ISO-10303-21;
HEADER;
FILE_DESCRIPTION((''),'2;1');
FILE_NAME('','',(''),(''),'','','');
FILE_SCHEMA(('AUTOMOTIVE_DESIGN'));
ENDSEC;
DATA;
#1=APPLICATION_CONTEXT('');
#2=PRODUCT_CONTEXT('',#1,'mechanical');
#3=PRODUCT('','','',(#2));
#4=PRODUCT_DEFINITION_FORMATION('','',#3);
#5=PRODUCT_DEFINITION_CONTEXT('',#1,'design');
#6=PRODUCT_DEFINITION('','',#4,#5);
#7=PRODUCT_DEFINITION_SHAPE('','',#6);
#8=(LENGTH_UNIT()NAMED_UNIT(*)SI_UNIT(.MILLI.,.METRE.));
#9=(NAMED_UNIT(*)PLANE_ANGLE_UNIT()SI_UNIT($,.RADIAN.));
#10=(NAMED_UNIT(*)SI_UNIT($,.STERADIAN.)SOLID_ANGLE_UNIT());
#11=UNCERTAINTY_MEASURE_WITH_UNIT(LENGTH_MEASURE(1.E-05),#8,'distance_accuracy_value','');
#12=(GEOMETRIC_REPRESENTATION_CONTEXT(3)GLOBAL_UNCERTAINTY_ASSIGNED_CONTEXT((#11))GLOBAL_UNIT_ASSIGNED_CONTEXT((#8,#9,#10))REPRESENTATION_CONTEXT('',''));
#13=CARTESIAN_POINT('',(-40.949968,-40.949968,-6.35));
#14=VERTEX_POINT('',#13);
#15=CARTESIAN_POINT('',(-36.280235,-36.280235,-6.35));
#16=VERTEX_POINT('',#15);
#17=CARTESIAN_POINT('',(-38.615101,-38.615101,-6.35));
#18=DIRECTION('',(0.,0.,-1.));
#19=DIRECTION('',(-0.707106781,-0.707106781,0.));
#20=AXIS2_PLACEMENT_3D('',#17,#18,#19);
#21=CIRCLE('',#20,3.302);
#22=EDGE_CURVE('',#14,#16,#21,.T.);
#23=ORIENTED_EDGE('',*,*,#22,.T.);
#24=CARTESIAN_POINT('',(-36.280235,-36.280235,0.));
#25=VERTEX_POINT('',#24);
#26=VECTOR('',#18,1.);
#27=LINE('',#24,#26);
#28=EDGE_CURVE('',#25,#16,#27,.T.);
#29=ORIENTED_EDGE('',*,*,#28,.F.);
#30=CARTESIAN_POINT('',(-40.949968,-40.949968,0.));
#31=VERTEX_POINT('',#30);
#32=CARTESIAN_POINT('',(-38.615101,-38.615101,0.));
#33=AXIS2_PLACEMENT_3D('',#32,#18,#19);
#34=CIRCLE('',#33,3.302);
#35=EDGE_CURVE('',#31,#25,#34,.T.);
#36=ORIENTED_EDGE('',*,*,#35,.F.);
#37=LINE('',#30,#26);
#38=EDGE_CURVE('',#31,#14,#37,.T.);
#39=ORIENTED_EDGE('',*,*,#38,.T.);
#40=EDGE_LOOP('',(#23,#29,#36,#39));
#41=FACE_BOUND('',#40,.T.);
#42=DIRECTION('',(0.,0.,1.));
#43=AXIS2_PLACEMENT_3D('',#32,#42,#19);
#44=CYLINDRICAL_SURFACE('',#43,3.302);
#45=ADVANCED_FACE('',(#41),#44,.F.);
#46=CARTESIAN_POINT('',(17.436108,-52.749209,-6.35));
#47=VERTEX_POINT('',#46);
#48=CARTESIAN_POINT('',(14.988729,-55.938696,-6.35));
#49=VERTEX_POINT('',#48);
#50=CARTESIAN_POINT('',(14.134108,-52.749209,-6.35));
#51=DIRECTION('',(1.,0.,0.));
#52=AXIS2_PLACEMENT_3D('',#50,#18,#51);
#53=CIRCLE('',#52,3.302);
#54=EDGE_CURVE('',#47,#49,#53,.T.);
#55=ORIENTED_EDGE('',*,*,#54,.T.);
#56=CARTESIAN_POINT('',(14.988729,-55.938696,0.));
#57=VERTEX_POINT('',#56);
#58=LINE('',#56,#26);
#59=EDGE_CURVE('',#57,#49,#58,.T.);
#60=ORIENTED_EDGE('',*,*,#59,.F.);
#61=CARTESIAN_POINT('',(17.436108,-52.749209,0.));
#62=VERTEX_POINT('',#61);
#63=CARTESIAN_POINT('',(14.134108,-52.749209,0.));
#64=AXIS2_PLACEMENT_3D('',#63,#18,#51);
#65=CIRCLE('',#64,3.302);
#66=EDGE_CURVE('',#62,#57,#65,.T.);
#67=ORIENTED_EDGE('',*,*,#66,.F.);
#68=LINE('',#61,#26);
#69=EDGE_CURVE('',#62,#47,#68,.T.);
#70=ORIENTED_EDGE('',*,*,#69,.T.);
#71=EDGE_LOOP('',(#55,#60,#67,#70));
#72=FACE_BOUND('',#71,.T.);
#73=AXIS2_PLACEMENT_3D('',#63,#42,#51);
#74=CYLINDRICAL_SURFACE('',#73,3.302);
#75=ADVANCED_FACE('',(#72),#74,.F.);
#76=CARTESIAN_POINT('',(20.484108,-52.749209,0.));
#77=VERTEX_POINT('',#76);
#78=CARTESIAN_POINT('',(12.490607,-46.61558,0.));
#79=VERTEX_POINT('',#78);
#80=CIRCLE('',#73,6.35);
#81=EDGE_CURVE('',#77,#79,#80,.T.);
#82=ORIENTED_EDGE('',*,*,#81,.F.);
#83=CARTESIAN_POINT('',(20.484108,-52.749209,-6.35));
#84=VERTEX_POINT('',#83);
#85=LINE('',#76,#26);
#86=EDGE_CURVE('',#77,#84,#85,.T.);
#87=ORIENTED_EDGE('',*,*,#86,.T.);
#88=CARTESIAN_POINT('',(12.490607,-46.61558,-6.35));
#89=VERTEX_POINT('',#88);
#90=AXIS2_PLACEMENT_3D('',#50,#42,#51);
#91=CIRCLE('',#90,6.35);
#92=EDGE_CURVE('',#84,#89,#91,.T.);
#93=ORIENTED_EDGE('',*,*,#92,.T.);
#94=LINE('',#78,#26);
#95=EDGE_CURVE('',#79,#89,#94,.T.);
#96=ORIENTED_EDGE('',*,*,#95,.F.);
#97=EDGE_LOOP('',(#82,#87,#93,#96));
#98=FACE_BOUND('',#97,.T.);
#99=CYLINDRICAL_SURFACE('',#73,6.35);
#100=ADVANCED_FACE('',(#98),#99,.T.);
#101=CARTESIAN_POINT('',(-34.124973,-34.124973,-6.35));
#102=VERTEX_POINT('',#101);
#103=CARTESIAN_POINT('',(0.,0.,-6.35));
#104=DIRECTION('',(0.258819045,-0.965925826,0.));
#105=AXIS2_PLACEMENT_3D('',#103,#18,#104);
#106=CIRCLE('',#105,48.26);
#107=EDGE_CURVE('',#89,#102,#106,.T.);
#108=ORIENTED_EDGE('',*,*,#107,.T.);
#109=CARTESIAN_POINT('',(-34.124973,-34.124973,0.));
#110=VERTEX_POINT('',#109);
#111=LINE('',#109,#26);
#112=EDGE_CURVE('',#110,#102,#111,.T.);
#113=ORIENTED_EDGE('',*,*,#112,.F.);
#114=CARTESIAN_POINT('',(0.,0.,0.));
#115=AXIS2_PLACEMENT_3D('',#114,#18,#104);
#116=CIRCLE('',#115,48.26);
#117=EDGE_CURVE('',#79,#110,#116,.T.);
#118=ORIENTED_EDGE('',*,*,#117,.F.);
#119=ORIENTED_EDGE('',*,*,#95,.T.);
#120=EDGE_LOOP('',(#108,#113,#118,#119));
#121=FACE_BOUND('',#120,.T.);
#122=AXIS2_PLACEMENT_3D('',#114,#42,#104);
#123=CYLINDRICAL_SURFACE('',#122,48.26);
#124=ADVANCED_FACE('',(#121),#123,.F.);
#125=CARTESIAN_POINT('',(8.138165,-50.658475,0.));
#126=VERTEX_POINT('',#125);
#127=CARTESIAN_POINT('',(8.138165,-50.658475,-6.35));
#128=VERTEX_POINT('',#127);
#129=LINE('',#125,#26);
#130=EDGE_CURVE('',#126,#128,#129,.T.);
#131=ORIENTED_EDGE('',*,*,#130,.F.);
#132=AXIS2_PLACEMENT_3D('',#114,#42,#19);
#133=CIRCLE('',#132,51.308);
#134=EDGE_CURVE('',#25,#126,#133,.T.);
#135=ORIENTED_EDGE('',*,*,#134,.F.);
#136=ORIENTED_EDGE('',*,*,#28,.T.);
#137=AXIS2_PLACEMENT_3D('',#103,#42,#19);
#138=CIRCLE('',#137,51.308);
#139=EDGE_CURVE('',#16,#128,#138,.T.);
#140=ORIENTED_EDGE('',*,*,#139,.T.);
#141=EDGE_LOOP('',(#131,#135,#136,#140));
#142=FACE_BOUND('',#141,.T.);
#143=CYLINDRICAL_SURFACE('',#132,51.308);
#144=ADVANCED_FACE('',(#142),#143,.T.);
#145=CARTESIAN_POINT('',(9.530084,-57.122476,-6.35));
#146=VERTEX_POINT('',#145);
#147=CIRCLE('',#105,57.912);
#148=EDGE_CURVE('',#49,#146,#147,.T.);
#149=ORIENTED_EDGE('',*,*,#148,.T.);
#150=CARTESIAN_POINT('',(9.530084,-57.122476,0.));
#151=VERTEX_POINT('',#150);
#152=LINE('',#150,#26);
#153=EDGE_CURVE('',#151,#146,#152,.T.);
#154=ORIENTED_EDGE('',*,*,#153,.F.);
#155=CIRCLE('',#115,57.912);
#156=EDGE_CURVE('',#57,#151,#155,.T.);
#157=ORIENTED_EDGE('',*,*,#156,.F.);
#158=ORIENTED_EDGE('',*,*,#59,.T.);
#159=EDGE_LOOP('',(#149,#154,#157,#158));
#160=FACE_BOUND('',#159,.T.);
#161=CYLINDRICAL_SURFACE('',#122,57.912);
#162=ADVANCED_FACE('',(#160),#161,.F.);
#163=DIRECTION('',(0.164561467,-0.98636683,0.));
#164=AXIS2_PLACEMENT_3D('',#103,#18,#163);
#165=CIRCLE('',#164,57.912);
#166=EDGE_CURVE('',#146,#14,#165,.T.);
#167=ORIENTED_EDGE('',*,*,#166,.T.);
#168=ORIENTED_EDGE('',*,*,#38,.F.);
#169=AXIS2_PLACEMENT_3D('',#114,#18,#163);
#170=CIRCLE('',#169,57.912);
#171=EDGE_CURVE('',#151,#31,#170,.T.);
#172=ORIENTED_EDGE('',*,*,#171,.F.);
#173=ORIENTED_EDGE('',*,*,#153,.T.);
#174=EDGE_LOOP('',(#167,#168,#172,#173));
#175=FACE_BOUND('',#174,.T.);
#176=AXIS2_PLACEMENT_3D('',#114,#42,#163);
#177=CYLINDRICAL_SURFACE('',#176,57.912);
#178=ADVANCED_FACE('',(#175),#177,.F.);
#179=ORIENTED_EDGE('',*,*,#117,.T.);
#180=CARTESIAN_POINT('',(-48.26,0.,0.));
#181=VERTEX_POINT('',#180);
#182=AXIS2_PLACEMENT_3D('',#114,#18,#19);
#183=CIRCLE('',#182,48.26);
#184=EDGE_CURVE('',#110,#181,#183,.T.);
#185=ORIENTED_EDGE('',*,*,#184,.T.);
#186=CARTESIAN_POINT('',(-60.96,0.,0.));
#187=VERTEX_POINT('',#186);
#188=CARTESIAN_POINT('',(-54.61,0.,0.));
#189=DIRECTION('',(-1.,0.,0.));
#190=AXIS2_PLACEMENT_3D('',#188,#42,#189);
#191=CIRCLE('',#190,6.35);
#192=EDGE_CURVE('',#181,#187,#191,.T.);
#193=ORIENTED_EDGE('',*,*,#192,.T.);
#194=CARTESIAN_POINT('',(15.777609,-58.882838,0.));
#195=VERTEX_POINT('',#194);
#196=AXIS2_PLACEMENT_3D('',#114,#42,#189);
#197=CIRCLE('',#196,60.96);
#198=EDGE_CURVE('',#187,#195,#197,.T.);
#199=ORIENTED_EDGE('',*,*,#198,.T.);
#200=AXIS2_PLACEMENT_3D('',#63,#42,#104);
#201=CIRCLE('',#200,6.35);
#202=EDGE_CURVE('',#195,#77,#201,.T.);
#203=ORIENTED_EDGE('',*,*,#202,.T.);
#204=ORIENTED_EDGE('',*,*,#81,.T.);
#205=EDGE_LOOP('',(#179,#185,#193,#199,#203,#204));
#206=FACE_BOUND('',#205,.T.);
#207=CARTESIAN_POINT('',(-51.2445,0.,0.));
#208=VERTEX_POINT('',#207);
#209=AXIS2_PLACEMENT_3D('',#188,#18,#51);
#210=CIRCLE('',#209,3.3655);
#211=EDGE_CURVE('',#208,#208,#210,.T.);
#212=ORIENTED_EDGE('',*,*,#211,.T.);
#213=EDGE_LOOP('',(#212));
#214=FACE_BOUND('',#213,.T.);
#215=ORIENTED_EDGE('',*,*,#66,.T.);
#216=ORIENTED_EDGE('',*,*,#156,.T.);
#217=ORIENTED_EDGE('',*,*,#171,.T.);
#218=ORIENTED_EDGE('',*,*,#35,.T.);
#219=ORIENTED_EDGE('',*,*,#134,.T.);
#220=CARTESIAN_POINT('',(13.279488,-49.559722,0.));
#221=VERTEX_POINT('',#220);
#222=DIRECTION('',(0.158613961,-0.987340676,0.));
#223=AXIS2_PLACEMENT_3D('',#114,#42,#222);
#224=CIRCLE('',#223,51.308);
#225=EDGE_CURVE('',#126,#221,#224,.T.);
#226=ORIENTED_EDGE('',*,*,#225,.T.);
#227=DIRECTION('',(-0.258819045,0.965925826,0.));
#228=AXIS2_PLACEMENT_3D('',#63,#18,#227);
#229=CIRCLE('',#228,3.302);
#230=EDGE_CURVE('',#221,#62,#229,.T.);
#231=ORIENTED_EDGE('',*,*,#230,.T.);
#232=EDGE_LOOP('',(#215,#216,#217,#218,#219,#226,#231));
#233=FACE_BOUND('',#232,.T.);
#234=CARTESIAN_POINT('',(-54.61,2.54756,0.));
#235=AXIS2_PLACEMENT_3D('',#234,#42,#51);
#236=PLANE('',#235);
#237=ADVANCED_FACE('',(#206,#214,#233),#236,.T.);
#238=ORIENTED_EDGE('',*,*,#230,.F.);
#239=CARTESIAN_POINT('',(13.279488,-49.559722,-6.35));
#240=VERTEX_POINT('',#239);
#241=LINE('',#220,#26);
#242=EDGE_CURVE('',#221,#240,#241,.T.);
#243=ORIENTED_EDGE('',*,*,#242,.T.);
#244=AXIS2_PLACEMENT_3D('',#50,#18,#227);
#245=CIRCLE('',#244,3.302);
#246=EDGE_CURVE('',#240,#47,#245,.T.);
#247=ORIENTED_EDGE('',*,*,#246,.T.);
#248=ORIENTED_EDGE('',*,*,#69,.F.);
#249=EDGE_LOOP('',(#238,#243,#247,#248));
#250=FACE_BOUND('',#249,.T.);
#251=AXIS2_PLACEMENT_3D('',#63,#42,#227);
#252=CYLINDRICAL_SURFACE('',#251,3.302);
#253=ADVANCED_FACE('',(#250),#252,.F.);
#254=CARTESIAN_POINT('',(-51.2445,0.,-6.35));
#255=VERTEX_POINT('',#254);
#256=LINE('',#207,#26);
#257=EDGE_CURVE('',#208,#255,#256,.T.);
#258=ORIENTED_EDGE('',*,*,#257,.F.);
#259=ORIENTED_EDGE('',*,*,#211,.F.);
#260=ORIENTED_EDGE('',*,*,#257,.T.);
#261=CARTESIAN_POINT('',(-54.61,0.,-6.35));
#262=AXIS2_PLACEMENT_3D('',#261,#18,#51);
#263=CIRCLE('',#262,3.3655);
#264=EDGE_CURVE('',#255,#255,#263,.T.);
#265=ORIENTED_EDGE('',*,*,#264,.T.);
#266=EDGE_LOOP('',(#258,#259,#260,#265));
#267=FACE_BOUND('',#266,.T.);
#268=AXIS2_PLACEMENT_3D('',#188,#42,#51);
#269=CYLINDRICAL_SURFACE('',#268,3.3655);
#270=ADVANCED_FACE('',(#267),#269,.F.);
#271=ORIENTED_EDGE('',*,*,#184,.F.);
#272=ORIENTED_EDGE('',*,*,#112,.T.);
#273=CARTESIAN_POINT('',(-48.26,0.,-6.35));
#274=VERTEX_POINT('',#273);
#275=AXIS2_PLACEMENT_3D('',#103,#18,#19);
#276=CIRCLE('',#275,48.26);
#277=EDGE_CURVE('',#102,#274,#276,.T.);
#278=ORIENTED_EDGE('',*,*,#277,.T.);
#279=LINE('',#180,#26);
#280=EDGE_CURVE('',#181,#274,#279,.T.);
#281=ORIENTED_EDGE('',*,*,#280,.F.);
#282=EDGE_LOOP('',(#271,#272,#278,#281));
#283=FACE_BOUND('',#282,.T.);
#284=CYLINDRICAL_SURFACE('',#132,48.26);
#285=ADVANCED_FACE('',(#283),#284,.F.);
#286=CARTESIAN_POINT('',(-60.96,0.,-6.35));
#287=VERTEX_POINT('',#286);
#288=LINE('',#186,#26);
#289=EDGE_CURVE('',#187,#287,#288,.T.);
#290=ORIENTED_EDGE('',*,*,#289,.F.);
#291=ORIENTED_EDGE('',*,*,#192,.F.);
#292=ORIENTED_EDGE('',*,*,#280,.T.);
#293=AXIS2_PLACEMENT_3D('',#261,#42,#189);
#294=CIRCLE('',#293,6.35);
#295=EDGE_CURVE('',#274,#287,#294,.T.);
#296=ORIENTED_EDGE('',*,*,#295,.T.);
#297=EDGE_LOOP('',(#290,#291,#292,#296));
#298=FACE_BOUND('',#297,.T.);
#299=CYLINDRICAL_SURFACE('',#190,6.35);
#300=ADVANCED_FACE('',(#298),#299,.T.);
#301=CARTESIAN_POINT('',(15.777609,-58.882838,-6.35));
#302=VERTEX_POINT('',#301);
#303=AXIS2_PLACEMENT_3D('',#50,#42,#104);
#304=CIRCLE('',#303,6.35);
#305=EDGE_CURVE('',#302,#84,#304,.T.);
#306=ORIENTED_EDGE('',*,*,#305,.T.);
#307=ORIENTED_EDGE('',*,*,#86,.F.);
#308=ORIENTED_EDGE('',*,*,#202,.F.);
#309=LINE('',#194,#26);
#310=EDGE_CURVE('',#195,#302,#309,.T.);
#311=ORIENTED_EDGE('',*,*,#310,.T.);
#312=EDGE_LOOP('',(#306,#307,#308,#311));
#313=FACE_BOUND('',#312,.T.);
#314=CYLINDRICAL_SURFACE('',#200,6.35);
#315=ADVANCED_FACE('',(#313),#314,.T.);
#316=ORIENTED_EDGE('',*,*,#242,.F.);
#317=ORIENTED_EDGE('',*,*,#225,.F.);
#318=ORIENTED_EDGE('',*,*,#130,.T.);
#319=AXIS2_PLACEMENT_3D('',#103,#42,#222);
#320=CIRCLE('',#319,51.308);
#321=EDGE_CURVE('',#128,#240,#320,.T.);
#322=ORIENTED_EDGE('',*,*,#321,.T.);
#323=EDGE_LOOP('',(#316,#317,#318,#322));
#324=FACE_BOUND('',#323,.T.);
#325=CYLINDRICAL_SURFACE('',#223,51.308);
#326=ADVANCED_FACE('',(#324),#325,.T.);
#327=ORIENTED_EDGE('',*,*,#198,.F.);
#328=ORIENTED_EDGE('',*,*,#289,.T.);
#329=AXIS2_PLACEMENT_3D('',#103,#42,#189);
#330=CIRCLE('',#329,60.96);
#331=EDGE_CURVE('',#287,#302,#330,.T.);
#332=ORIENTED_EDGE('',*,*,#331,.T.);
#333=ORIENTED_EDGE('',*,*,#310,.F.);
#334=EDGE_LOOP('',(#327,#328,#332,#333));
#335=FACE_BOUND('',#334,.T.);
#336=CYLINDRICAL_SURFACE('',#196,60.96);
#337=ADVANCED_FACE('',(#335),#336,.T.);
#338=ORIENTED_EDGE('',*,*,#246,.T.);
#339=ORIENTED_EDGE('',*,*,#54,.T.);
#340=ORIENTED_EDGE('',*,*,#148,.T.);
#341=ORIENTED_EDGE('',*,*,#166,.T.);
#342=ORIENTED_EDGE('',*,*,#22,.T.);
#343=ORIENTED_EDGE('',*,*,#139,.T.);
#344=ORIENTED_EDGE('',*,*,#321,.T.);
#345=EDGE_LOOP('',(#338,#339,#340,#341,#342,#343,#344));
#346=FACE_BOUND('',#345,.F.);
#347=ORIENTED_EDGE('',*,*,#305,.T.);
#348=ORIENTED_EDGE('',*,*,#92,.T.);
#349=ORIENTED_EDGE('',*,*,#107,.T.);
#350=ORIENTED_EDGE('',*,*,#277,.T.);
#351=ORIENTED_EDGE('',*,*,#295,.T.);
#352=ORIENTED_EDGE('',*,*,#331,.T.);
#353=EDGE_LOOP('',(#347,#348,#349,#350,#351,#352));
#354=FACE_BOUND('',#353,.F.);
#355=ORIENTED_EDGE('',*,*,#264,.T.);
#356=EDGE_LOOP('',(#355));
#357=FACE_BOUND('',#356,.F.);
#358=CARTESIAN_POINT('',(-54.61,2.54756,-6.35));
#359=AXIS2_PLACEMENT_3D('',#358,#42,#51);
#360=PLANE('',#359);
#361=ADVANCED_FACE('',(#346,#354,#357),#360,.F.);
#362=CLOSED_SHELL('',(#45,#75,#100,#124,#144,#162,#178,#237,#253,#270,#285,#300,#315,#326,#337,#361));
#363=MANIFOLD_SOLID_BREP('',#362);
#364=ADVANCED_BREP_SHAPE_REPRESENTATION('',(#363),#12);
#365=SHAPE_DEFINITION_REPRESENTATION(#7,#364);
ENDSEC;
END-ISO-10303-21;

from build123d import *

# Parameters (mm, degrees)
F1_DEPTH = 6.35


with BuildPart() as f1:
    # F0 (on Top) → F1 (new body)
    with BuildSketch(Plane.XY):
        with BuildLine():
            Line((-51.2445, 0), (-48.26, 0))
            ThreePointArc((-48.26, 0), (-54.61, 6.35), (-60.96, 0))
            Line((-60.96, 0), (-57.9755, 0))
            ThreePointArc((-57.9755, 0), (-54.61, 3.3655), (-51.2445, 0))
        make_face()
        with BuildLine():
            ThreePointArc((-60.96, 0), (-54.61, -6.35), (-48.26, 0))
            Line((-48.26, 0), (-51.2445, 0))
            ThreePointArc((-51.2445, 0), (-54.61, -3.3655), (-57.9755, 0))
            Line((-57.9755, 0), (-60.96, 0))
        make_face()
        with BuildLine():
            ThreePointArc((-34.1249732601, -34.1249732601), (-44.586426239, -18.4683024459), (-48.26, 0))
            ThreePointArc((-48.26, 0), (-54.61, -6.35), (-60.96, 0))
            ThreePointArc((-60.96, 0), (-37.1100967124, -48.3628196242), (15.7776089894, -58.8828383706))
            ThreePointArc((15.7776089894, -58.8828383706), (12.4119310117, -58.8612144651), (9.5300837025, -57.1224758622))
            ThreePointArc((9.5300837025, -57.1224758622), (-17.6688931256, -55.1507929201), (-40.9499679121, -40.9499679121))
            ThreePointArc((-40.9499679121, -40.9499679121), (-40.9499679121, -36.2802347291), (-36.2802347291, -36.2802347291))
            Line((-36.2802347291, -36.2802347291), (-34.1249732601, -34.1249732601))
        make_face()
        with BuildLine():
            ThreePointArc((8.1381651285, -50.6584754246), (9.8124734412, -48.096685942), (12.4906071166, -46.6155803767))
            ThreePointArc((12.4906071166, -46.6155803767), (-12.4906071166, -46.6155803767), (-34.1249732601, -34.1249732601))
            Line((-34.1249732601, -34.1249732601), (-36.2802347291, -36.2802347291))
            ThreePointArc((-36.2802347291, -36.2802347291), (-15.8011857696, -48.8142744725), (8.1381651285, -50.6584754246))
        make_face()
        with BuildLine():
            ThreePointArc((20.484108053, -52.7492093736), (17.9997431273, -47.7114156628), (12.4906071166, -46.6155803767))
            Line((12.4906071166, -46.6155803767), (13.2794875661, -49.5597222952))
            ThreePointArc((13.2794875661, -49.5597222952), (16.1442382916, -50.129556644), (17.436108053, -52.7492093736))
            ThreePointArc((17.436108053, -52.7492093736), (16.7537607827, -54.7593396122), (14.98872854, -55.9386964521))
            Line((14.98872854, -55.9386964521), (15.7776089894, -58.8828383706))
            ThreePointArc((15.7776089894, -58.8828383706), (19.1719017639, -56.6148444479), (20.484108053, -52.7492093736))
        make_face()
        with BuildLine():
            Line((13.2794875661, -49.5597222952), (12.4906071166, -46.6155803767))
            ThreePointArc((12.4906071166, -46.6155803767), (9.8124734412, -48.096685942), (8.1381651285, -50.6584754246))
            ThreePointArc((8.1381651285, -50.6584754246), (10.7229089499, -50.1749946453), (13.2794875661, -49.5597222952))
        make_face()
        with BuildLine():
            ThreePointArc((9.5300837025, -57.1224758622), (12.4119310117, -58.8612144651), (15.7776089894, -58.8828383706))
            Line((15.7776089894, -58.8828383706), (14.98872854, -55.9386964521))
            ThreePointArc((14.98872854, -55.9386964521), (12.2736861565, -56.5964342705), (9.5300837025, -57.1224758622))
        make_face()
    extrude(amount=-F1_DEPTH)


solid = f1.part
